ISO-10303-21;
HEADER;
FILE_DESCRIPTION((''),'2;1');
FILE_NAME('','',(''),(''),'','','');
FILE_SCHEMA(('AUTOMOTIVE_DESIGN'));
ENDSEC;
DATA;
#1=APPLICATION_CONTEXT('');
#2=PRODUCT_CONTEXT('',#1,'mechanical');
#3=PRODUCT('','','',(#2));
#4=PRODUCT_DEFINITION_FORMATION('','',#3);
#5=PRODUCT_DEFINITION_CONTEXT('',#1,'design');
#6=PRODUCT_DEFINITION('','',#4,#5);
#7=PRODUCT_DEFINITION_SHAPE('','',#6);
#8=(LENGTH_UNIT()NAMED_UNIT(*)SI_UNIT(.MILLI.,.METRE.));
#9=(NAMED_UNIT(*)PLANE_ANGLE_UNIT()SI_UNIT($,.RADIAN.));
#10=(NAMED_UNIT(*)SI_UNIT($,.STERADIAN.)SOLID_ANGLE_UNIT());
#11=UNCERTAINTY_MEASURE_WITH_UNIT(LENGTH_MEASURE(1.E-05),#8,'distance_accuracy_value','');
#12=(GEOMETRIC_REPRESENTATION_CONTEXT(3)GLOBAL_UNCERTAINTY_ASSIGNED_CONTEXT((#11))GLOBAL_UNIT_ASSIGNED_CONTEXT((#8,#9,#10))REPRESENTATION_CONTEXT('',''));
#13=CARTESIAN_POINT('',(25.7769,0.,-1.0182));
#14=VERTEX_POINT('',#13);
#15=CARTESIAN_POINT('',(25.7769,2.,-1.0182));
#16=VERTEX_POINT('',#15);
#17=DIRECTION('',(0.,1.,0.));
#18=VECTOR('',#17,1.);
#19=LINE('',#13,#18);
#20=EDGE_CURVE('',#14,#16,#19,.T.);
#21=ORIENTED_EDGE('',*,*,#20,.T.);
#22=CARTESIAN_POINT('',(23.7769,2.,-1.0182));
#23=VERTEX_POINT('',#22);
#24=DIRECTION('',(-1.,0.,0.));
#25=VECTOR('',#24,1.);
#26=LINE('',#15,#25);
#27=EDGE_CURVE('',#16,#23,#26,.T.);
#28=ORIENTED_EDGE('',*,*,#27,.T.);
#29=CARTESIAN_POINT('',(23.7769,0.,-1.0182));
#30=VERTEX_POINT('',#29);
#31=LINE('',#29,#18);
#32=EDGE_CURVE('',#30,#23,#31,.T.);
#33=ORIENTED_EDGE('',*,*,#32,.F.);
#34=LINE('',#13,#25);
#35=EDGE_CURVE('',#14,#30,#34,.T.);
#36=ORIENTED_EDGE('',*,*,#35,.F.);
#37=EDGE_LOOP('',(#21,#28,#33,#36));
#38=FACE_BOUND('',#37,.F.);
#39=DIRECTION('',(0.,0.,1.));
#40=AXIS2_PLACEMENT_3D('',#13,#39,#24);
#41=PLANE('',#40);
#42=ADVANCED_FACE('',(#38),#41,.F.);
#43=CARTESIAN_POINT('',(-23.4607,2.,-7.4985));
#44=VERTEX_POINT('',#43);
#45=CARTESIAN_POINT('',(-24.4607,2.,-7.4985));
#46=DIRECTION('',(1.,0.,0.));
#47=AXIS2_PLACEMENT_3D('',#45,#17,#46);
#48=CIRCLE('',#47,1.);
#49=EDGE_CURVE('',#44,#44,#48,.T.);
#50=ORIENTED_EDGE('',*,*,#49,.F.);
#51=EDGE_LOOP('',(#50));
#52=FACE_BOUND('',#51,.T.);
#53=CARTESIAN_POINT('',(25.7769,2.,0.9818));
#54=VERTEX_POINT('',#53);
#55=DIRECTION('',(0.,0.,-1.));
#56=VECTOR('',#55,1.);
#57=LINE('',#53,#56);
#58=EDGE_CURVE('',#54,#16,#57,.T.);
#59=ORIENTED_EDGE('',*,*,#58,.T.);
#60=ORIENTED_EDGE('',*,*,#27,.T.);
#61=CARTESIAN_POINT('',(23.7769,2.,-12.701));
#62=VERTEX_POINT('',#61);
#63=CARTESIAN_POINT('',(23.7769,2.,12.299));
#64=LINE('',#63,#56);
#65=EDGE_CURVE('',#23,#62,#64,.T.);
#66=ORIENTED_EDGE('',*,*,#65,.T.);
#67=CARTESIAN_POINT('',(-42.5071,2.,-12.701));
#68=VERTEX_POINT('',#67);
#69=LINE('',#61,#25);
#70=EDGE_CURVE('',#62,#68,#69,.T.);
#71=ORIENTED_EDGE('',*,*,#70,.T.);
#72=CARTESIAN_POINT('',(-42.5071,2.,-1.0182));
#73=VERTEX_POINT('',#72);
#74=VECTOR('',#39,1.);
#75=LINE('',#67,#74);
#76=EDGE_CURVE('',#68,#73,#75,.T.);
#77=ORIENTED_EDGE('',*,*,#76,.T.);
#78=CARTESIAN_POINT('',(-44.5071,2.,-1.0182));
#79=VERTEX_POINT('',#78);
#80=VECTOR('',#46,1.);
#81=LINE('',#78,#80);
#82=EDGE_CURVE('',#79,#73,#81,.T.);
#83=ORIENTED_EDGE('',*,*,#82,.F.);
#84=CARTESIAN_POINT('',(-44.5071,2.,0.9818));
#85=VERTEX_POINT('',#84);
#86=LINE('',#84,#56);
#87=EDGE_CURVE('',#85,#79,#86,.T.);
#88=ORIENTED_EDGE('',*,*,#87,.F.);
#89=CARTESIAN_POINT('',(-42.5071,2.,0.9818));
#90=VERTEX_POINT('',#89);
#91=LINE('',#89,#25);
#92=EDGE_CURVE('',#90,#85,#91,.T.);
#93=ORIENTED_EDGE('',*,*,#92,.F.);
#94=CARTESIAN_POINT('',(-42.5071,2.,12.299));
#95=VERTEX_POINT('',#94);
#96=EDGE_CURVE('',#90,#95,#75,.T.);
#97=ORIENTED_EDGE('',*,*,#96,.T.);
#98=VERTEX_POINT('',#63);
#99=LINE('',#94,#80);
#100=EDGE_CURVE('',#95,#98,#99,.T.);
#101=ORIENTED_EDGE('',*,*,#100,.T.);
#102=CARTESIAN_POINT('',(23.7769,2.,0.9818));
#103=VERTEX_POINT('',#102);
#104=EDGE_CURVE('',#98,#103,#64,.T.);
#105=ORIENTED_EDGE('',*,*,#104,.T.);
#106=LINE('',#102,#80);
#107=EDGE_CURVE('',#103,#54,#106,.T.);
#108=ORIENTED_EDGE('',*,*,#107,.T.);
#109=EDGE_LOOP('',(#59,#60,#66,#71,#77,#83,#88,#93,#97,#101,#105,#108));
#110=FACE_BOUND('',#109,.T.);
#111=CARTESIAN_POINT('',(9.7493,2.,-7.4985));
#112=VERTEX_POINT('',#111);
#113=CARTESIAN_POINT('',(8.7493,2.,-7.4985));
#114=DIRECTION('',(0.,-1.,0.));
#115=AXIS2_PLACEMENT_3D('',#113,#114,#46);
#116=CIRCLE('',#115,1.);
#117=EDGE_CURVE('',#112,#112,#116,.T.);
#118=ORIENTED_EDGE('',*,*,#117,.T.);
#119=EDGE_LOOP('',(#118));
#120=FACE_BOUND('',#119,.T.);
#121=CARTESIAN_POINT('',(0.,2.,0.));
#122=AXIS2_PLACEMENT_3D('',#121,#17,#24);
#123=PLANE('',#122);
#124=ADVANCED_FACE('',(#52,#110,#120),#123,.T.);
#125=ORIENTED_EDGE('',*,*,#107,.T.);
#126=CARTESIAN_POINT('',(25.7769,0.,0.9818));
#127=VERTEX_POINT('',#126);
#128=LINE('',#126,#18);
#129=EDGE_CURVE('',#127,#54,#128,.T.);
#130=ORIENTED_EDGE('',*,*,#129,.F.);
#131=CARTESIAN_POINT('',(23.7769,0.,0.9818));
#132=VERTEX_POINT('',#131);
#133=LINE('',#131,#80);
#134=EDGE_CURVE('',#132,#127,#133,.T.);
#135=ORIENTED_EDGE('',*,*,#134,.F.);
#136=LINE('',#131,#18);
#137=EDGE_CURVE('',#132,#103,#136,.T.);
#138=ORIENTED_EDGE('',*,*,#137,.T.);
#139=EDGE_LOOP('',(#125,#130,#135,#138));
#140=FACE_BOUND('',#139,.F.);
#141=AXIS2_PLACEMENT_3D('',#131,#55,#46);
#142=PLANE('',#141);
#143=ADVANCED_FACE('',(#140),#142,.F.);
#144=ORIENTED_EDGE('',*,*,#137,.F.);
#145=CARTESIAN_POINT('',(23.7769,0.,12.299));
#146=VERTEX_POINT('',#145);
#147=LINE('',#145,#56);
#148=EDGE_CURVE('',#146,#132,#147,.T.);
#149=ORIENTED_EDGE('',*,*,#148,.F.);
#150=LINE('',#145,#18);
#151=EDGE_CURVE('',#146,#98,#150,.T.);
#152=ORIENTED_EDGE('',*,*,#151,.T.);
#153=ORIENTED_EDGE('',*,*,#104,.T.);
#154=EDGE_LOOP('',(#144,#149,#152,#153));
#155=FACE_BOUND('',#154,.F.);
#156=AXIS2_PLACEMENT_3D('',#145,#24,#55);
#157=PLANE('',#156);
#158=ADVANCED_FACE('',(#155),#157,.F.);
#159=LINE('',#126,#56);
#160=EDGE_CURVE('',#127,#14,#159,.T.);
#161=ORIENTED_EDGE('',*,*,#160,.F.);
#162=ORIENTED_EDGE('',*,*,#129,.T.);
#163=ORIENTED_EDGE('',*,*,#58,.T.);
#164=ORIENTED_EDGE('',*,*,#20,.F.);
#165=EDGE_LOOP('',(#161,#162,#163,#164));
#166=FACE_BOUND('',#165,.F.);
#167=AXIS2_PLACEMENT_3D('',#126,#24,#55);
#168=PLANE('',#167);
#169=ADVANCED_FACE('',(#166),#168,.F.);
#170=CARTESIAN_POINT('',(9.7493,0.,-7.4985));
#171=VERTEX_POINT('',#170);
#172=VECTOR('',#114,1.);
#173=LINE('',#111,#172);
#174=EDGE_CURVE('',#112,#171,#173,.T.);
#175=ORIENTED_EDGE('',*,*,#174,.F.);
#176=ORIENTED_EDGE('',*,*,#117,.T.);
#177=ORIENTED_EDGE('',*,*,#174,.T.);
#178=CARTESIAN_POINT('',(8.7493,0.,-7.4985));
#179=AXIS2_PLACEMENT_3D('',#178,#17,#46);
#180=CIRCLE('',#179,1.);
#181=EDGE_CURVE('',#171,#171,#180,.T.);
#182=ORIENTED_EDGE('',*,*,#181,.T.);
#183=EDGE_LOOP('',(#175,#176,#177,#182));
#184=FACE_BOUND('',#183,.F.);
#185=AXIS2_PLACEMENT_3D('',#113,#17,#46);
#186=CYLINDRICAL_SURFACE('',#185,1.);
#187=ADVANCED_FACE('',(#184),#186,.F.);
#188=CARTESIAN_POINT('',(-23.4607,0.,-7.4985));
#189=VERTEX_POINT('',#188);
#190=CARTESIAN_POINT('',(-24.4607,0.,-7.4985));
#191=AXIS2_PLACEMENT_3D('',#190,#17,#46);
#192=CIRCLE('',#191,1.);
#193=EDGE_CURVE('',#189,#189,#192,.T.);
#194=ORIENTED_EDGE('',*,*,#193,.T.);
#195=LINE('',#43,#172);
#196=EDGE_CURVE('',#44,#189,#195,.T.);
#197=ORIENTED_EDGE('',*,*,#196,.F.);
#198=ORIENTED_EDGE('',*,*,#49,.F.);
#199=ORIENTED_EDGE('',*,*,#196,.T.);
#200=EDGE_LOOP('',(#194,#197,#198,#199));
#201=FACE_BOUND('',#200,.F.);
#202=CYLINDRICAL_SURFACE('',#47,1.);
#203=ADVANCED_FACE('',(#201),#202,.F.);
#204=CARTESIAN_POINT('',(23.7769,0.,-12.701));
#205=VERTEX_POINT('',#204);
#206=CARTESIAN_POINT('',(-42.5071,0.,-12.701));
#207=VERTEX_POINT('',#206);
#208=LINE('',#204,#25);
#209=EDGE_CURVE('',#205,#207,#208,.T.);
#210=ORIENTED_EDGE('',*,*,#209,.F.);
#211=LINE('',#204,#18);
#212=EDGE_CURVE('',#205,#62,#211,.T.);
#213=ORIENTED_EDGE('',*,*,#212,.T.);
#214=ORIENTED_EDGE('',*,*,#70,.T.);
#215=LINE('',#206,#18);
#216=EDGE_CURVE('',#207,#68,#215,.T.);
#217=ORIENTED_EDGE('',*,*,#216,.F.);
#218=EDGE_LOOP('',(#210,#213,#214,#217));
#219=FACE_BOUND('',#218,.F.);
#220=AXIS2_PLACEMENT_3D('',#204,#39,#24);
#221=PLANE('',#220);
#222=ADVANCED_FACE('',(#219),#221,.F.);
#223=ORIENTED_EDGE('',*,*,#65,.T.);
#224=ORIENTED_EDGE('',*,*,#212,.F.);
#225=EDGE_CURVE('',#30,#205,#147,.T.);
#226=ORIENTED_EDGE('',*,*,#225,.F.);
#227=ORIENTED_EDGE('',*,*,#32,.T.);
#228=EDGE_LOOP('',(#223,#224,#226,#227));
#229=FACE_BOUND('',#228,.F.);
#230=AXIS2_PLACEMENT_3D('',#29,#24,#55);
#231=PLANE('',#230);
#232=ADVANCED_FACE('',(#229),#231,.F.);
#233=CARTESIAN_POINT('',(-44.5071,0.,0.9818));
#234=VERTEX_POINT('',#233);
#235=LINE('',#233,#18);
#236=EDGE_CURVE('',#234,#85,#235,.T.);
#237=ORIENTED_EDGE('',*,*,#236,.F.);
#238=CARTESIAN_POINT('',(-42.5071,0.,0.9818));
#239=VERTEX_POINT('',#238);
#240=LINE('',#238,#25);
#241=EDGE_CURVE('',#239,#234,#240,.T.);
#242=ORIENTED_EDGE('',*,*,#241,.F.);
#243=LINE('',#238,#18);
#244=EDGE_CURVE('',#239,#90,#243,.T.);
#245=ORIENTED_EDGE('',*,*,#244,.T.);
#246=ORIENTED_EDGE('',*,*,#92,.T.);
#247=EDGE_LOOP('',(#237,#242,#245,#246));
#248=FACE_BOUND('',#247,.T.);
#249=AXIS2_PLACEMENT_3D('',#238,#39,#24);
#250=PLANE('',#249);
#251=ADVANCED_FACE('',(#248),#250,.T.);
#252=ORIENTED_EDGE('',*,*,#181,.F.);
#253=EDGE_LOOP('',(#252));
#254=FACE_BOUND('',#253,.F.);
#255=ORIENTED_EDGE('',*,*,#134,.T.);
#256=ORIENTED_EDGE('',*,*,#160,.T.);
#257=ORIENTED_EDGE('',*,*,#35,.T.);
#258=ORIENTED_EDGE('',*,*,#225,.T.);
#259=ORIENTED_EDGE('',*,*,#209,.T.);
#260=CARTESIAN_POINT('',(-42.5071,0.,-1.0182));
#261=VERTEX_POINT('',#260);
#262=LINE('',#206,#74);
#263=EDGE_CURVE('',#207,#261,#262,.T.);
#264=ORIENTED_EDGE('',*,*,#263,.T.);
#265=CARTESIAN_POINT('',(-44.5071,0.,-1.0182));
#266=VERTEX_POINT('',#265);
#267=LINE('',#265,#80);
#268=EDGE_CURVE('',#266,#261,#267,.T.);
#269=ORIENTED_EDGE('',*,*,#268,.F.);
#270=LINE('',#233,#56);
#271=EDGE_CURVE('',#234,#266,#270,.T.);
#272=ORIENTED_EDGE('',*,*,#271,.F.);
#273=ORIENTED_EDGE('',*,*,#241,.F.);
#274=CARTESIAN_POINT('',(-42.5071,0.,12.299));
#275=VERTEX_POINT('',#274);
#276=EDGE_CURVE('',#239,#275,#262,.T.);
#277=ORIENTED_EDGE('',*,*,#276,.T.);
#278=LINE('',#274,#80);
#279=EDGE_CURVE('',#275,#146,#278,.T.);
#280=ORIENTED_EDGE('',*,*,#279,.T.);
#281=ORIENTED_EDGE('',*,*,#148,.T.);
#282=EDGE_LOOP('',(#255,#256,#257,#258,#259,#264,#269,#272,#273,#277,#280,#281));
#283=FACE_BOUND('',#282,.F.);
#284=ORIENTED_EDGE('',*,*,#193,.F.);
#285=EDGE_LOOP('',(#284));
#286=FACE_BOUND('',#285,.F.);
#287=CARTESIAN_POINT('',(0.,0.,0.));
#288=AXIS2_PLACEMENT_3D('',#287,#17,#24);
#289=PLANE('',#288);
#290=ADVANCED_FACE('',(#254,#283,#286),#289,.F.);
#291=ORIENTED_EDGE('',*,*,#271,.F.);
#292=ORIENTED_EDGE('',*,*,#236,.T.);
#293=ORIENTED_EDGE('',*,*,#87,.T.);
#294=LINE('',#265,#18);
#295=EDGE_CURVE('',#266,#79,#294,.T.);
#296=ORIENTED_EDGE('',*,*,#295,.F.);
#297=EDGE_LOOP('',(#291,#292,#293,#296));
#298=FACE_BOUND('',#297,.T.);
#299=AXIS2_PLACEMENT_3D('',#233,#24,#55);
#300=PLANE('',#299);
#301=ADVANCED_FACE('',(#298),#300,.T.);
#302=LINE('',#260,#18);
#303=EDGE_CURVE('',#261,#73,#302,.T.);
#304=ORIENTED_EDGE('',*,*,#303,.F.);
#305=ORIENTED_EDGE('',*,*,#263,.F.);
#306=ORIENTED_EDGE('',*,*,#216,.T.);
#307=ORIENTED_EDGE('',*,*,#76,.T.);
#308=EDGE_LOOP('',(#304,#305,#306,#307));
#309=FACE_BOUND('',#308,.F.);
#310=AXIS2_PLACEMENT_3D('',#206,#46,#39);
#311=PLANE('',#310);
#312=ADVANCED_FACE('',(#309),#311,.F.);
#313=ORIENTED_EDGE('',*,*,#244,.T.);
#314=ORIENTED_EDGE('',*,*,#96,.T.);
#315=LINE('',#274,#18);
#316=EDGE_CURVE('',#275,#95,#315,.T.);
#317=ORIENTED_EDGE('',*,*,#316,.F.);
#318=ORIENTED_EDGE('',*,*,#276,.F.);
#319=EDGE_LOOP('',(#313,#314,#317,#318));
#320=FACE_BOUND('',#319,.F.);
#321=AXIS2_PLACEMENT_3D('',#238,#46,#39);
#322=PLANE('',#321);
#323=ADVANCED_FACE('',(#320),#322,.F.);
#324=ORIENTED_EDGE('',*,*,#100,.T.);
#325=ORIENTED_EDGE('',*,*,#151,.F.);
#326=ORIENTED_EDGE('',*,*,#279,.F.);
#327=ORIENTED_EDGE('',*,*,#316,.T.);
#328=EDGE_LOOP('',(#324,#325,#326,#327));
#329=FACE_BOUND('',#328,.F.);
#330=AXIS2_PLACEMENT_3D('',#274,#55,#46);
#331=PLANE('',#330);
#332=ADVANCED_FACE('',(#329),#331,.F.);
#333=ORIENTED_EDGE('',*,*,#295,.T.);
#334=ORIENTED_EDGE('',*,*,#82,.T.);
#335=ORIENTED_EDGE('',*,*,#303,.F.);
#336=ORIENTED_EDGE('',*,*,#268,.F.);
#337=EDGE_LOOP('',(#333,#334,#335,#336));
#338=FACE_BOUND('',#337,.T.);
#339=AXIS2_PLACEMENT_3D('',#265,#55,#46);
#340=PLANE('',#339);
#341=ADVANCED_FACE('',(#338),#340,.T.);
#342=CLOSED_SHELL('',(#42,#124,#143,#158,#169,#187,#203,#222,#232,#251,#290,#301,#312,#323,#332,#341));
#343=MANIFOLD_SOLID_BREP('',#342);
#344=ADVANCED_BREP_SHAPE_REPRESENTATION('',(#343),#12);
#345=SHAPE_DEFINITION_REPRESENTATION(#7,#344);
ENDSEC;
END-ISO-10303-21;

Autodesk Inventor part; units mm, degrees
ref_plane "YZ Plane" through (0, 0, 0) normal (1, 0, 0) x (0, 1, 0)
ref_plane "XZ Plane" through (0, 0, 0) normal (0, 1, 0) x (-1, 0, 0)
ref_plane "XY Plane" through (0, 0, 0) normal (0, 0, 1) x (1, 0, 0)
sketch "Sketch1" plane through (0, 0, 0) normal (0, 1, 0) x (-1, 0, 0)
  line L0 (42.5071, 12.299) -> (-23.7769, 12.299)
  line L1 (-23.7769, 12.299) -> (-23.7769, -12.701)
  line L2 (-23.7769, -12.701) -> (42.5071, -12.701)
  line L3 (42.5071, -12.701) -> (42.5071, 12.299)
  line L4 (-23.7769, 0.9818) -> (-25.7769, 0.9818)
  line L5 (-25.7769, 0.9818) -> (-25.7769, -1.0182)
  line L6 (-25.7769, -1.0182) -> (-23.7769, -1.0182)
  line L7 (-23.7769, -1.0182) -> (-23.7769, 0.9818)
  line L8 (44.5071, -1.0182) -> (42.5071, -1.0182)
  line L9 (42.5071, -1.0182) -> (42.5071, 0.9818)
  line L10 (42.5071, 0.9818) -> (44.5071, 0.9818)
  line L11 (44.5071, 0.9818) -> (44.5071, -1.0182)
  point P0 (0, 0)
  dimension "d0" = 66.284
  dimension "d1" = 25
  dimension "d2" = 2
  dimension "d3" = 2
  dimension "d11" = 2
  dimension "d12" = 2
extrude "Extrusion1" add sketch "Sketch1" along normal blind 2
sketch "Sketch2" plane through (0, 2, 0) normal (0, 1, 0) x (1, 0, 0)
  circle A0 centre (8.7493, 7.4985) radius 1
  line L0 (8.7493, 7.4985) -> (-24.4607, 7.4985)
  circle A1 centre (-24.4607, 7.4985) radius 1
  point P0 (0, 0)
  dimension "d6" = 2
  dimension "d7" = 33.21
  dimension "d8" = 2
extrude "Extrusion2" cut sketch "Sketch2" against normal blind 2
properties part number "Lclamp2"
